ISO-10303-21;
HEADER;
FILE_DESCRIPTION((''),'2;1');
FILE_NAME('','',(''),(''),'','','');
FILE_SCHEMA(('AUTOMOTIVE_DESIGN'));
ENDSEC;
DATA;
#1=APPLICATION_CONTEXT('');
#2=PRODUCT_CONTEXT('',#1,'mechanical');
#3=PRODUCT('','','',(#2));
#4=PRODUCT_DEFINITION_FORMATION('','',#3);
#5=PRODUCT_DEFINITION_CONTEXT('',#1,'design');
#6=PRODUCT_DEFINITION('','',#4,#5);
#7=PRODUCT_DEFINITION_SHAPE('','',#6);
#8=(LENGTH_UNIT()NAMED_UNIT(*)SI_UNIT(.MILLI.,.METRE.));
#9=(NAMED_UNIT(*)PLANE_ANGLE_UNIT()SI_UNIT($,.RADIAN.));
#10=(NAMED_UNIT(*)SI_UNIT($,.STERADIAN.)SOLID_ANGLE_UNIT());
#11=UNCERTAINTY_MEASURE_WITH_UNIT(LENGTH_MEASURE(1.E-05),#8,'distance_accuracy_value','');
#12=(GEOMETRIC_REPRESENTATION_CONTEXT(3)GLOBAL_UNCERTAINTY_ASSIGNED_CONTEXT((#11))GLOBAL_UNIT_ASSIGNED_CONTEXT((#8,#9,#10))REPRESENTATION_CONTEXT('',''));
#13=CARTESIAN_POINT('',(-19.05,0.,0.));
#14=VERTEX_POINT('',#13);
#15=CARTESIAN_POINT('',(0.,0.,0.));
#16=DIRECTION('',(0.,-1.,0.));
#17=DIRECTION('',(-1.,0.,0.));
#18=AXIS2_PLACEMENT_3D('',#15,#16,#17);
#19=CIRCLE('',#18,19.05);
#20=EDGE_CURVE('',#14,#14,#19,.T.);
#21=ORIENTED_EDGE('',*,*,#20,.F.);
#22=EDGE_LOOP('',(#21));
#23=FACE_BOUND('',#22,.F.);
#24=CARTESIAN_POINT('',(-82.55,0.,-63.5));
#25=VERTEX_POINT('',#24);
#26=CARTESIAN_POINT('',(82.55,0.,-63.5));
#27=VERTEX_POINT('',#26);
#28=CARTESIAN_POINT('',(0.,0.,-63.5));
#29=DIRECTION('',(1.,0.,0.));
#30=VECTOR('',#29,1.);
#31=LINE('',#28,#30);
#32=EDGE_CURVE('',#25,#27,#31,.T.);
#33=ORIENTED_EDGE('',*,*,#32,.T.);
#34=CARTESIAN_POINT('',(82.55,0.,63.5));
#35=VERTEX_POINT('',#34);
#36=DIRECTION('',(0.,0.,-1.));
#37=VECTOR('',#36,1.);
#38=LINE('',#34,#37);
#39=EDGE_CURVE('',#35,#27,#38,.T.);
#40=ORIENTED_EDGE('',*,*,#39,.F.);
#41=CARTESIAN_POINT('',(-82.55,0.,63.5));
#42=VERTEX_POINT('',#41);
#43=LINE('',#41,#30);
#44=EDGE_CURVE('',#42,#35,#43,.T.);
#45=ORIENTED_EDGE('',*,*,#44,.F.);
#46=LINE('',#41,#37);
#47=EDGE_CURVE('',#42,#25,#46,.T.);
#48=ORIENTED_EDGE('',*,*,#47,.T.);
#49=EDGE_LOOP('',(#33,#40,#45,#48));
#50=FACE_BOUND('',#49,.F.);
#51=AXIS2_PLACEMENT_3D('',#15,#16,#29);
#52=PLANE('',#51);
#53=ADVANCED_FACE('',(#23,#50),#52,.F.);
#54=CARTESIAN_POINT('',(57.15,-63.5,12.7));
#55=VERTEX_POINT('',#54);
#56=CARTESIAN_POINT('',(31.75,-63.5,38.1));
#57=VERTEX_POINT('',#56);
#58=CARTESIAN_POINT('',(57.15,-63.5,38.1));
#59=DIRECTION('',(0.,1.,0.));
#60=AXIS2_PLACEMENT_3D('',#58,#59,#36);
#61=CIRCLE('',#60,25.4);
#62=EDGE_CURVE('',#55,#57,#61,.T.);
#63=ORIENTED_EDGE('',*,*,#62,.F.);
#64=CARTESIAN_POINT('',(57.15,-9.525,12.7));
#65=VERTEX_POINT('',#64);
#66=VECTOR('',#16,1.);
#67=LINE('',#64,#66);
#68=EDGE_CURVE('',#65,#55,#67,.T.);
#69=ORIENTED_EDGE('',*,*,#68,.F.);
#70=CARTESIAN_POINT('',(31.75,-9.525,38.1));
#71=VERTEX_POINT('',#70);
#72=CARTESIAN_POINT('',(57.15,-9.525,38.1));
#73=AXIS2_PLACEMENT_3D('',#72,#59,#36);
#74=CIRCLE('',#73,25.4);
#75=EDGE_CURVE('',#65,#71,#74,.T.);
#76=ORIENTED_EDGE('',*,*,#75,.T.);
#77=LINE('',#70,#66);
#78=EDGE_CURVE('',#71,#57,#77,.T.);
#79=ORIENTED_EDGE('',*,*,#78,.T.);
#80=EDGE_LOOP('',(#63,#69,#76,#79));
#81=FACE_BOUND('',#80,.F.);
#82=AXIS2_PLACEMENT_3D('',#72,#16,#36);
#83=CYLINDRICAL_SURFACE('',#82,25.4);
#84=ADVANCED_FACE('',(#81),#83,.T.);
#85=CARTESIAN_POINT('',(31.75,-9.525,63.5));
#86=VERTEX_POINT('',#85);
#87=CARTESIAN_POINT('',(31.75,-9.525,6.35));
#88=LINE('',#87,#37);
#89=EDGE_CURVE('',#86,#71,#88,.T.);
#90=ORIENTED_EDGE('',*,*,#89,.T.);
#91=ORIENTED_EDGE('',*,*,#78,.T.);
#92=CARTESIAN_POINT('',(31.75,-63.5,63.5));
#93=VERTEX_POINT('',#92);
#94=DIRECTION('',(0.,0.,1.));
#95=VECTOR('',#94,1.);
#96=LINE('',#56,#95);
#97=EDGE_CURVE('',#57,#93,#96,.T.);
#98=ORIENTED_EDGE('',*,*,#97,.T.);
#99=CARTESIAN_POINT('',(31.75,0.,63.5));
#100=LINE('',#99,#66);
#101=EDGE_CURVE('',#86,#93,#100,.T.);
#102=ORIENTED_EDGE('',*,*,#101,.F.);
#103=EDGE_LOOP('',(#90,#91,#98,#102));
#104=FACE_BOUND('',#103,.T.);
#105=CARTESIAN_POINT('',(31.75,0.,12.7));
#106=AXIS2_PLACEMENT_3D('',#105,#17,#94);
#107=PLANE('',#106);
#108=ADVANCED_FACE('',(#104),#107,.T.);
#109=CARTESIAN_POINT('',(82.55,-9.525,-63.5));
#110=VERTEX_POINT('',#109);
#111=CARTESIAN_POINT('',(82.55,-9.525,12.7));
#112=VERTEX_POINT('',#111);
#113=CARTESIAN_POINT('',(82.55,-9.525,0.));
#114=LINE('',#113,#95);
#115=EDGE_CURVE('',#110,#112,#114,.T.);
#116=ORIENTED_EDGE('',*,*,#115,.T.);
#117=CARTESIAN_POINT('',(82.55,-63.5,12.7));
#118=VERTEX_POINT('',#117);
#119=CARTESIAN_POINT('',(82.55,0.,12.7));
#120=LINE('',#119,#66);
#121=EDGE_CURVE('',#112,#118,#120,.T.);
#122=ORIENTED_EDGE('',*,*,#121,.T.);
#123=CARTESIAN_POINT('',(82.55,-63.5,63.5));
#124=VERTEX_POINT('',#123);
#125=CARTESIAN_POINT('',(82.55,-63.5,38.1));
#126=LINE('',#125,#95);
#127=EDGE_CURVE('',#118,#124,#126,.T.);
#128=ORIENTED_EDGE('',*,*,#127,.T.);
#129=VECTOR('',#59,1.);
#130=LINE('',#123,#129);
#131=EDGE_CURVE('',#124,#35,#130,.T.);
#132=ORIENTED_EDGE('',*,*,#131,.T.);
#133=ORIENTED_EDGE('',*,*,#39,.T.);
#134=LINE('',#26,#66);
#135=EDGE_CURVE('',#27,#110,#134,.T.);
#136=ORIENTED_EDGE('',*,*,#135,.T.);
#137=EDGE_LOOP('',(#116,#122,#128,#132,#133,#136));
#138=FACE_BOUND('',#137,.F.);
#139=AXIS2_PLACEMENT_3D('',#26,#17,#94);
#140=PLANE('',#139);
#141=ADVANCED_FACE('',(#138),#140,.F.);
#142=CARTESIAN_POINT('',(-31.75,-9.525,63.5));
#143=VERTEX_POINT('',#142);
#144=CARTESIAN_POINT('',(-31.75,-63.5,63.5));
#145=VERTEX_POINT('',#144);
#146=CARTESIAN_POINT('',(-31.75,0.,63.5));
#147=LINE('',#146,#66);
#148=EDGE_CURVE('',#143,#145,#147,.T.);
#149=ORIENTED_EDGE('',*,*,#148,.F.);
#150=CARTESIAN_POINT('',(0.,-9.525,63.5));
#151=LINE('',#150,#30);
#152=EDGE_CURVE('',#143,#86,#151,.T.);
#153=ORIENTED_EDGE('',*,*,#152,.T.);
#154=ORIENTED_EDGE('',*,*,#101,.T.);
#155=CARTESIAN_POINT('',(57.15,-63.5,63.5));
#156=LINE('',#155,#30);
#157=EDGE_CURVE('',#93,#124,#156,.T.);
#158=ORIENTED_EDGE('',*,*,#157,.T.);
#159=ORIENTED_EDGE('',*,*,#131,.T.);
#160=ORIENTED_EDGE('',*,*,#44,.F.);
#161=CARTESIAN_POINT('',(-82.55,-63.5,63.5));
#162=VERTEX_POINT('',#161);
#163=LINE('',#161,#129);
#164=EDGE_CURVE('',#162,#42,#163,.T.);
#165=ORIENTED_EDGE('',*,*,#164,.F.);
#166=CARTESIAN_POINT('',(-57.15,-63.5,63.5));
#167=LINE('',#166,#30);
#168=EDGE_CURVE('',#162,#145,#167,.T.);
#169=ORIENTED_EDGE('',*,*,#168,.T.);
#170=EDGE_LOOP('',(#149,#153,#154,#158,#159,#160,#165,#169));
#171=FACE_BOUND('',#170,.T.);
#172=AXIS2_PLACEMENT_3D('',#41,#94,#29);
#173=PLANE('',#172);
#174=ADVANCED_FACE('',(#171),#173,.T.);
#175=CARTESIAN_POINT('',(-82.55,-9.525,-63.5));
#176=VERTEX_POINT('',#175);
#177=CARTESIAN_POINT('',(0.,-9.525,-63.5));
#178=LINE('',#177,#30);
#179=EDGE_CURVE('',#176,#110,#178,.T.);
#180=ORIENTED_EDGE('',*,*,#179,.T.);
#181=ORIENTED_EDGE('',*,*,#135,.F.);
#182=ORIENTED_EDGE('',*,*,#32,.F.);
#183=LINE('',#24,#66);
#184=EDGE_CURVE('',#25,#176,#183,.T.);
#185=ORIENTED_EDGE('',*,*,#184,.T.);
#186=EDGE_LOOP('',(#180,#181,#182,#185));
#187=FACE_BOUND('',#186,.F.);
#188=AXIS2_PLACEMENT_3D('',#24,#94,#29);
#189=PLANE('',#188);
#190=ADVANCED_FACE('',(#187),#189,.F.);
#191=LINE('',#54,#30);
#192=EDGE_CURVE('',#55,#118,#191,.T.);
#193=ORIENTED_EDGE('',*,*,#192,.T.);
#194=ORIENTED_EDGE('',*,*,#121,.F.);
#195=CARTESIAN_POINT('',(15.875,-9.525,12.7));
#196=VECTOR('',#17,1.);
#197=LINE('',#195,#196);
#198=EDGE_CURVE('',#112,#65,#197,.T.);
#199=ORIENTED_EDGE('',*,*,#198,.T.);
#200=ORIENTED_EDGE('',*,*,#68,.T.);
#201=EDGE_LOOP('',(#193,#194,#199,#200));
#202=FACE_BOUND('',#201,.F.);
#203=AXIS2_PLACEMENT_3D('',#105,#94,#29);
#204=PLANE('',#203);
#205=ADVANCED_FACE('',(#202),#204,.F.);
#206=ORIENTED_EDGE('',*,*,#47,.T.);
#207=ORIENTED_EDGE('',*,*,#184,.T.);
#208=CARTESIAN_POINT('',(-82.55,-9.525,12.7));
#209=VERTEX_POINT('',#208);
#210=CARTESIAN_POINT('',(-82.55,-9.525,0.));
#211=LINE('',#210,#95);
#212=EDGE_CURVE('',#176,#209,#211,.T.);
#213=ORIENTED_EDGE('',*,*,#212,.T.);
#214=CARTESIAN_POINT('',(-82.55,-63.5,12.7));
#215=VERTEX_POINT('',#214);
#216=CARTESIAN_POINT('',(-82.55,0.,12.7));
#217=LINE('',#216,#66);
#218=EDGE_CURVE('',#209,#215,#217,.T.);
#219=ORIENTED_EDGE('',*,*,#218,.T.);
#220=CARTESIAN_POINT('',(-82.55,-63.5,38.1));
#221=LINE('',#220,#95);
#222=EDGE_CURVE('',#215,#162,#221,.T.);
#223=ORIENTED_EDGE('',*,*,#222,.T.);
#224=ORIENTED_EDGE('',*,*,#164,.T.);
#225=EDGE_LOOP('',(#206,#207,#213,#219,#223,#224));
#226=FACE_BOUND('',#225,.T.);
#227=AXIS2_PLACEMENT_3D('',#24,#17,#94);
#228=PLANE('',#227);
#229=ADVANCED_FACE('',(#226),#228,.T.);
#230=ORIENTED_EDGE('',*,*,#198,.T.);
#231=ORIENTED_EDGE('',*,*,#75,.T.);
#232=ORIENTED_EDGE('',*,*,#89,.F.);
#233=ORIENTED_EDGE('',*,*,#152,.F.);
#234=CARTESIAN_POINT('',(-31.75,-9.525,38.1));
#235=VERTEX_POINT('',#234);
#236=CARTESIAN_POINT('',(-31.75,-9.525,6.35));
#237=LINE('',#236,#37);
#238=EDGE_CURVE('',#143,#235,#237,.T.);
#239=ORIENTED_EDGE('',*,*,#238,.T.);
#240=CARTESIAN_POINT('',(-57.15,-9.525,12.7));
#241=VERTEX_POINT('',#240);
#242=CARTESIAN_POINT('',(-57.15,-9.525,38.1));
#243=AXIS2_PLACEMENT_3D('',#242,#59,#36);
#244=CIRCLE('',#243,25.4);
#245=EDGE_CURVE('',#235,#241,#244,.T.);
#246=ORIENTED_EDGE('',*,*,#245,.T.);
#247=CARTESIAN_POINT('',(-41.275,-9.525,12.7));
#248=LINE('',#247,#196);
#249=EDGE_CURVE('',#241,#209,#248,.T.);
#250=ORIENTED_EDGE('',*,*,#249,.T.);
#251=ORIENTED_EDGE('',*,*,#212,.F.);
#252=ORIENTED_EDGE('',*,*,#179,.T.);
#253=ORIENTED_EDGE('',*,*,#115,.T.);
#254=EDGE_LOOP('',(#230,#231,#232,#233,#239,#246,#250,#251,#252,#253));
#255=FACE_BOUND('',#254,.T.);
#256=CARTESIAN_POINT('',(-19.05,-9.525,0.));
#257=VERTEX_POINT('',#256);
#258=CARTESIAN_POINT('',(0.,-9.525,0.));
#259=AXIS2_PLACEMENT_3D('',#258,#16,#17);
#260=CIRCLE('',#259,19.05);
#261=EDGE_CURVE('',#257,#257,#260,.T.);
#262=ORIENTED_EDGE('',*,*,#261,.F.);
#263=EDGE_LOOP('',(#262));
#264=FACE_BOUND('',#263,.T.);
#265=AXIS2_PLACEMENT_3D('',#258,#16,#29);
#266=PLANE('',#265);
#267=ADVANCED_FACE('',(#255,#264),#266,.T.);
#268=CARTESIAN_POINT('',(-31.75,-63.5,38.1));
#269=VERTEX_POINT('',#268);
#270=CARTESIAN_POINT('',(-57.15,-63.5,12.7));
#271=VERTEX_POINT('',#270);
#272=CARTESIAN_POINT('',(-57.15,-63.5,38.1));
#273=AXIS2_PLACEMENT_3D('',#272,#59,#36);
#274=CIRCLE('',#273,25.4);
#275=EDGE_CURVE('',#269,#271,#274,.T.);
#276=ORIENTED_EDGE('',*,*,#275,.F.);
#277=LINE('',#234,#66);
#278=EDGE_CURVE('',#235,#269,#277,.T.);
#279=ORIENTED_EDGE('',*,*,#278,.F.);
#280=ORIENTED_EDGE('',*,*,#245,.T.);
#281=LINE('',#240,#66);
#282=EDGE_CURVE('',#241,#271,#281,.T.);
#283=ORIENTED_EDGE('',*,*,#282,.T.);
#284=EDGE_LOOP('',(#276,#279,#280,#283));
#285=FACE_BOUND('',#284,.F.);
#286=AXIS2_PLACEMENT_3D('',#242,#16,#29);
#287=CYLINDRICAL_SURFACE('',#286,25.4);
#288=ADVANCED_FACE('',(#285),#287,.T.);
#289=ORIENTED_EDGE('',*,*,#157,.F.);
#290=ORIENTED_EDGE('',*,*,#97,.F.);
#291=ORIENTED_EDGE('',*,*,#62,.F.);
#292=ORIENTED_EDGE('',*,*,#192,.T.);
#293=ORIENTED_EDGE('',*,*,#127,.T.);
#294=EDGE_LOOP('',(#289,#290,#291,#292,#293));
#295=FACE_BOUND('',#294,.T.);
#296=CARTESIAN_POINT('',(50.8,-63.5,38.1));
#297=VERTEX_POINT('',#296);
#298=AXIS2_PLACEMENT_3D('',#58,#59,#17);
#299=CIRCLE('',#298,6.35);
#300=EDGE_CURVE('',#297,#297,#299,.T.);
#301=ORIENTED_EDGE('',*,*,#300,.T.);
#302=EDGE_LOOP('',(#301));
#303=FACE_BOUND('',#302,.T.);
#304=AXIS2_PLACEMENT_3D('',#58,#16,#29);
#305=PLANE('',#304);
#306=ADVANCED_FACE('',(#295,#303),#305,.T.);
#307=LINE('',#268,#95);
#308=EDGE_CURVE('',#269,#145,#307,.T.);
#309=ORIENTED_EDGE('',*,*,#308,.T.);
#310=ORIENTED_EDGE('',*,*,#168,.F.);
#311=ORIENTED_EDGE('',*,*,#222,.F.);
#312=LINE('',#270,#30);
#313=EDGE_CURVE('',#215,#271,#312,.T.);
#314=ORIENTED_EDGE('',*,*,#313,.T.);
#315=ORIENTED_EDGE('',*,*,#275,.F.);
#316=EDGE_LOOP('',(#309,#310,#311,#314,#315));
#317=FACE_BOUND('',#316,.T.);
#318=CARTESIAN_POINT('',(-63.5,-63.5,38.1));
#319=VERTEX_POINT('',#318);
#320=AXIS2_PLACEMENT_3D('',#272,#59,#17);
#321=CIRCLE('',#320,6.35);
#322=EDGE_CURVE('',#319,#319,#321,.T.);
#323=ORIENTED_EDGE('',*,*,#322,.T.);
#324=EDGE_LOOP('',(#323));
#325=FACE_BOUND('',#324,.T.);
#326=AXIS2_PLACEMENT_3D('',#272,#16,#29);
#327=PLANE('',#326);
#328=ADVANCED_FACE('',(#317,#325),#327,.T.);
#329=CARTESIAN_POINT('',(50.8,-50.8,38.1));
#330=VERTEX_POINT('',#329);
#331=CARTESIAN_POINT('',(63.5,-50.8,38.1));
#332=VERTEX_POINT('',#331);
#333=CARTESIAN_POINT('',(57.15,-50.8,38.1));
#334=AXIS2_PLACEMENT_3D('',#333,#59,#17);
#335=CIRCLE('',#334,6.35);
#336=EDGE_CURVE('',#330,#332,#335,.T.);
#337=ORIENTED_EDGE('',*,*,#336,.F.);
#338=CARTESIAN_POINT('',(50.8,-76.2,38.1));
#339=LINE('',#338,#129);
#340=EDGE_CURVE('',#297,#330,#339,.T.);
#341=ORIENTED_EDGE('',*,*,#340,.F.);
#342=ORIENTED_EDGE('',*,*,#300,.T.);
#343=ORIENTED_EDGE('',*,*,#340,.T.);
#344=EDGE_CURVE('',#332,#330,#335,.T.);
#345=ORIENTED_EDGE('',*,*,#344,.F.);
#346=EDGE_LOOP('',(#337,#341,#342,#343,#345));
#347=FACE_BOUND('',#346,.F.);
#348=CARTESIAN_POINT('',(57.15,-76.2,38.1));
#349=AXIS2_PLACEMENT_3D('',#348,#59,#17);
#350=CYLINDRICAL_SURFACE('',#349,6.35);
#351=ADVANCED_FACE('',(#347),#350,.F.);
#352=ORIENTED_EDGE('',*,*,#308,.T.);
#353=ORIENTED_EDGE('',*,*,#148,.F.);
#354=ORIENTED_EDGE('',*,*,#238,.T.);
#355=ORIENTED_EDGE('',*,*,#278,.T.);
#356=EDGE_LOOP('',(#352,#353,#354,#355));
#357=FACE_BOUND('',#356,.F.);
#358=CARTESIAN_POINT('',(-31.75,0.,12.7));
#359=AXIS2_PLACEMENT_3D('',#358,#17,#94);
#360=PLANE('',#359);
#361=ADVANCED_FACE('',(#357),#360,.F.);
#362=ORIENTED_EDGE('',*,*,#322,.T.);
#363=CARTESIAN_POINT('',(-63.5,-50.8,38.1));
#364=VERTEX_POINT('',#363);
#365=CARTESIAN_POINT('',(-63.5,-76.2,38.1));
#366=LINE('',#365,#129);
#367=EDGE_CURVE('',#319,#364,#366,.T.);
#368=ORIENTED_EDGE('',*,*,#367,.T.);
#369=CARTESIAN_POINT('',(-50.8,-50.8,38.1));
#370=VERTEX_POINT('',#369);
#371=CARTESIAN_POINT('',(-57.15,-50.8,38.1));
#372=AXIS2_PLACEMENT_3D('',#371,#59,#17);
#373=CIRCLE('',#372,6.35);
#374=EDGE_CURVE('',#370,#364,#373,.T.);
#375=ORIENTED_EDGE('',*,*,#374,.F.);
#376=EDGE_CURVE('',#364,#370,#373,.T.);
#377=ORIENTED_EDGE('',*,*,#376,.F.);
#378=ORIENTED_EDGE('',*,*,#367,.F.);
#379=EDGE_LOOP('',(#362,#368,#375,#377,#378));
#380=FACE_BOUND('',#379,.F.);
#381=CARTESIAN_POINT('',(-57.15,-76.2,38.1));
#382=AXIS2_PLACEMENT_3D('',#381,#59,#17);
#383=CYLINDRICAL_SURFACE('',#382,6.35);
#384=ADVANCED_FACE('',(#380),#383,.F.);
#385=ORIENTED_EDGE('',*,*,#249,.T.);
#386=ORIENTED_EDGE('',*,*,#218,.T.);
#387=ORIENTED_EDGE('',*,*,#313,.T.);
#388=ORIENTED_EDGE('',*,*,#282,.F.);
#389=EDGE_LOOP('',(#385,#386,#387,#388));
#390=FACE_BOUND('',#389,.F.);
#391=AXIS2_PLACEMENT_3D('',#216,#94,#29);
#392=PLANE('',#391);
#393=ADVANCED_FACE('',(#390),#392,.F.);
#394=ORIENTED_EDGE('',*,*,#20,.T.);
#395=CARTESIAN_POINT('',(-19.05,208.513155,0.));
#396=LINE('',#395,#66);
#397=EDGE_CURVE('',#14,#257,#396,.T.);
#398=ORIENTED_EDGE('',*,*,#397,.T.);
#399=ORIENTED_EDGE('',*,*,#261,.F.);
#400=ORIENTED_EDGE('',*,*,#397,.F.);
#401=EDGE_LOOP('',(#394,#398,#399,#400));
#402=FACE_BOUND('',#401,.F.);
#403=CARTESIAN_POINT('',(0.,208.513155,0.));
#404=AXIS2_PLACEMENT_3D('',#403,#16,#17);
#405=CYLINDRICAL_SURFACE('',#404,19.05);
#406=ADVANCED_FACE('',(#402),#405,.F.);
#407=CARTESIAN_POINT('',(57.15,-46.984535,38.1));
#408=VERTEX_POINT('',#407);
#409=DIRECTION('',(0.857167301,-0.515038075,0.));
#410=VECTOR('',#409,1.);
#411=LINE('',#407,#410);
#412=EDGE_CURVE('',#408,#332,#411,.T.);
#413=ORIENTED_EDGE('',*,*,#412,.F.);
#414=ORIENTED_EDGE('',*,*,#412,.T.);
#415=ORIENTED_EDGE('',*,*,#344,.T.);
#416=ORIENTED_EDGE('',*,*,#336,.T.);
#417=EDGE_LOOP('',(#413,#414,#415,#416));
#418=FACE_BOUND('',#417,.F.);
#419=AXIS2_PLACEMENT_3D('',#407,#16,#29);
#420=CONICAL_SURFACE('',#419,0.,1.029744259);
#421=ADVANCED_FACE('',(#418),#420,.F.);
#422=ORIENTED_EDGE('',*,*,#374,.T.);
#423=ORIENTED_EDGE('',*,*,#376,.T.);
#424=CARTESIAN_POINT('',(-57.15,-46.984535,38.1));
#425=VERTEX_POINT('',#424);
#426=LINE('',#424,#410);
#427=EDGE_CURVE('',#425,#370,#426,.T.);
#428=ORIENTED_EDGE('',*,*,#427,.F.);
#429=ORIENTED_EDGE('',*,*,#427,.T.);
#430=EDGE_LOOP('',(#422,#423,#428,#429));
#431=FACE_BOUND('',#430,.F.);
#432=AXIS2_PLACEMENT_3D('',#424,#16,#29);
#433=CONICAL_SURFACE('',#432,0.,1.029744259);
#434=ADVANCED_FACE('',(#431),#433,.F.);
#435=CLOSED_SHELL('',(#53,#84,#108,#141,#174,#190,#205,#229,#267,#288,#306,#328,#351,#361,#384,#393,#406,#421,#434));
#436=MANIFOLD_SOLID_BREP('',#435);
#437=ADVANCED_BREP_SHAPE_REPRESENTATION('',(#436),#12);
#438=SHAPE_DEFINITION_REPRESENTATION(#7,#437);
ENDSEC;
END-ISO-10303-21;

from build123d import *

# Parameters (mm, degrees)
F0_W     = 165.1
F0_H     = 127
F2_DEPTH = 9.525
F3_D     = 38.1
F4_W     = 50.8
F4_H     = 50.8
F5_DEPTH = 63.5
F6_R     = 25.4
F8_D     = 12.7
F8_DEPTH = 12.7
F8_TIP   = 3.8154649308


with BuildPart() as f2:
    # F0 (on Front) → F2 (new body)
    with BuildSketch(Plane.XZ):
        Rectangle(F0_W, F0_H)
    extrude(amount=F2_DEPTH)

    # F3 (through all)
    with Locations(Plane(origin=(0, 0, 0), x_dir=(1, 0, 0), z_dir=(0, 1, 0))):
        with Locations((0, 0)):
            Hole(F3_D / 2)

    # F4 (on Front) → F5 (join)
    with BuildSketch(Plane.XZ):
        with Locations((-57.15, 38.1)):
            Rectangle(F4_W, F4_H)
        with Locations((57.15, 38.1)):
            Rectangle(F4_W, F4_H)
    extrude(amount=F5_DEPTH)

    # F6
    f6_edges = [f2.edges().sort_by_distance(p)[0] for p in [
        (-31.75, -36.5125, 12.7),
        (31.75, -36.5125, 12.7),
    ]]
    fillet(f6_edges, radius=F6_R)

    # F8
    with Locations(Plane.XZ.offset(63.5)):
        with Locations((-57.15, 38.1), (57.15, 38.1)):
            Hole(F8_D / 2, depth=F8_DEPTH)
            with Locations((0, 0, -(F8_DEPTH + F8_TIP / 2))):  # 118° drill point
                Cone(0, F8_D / 2, F8_TIP, mode=Mode.SUBTRACT)


solid = f2.part
